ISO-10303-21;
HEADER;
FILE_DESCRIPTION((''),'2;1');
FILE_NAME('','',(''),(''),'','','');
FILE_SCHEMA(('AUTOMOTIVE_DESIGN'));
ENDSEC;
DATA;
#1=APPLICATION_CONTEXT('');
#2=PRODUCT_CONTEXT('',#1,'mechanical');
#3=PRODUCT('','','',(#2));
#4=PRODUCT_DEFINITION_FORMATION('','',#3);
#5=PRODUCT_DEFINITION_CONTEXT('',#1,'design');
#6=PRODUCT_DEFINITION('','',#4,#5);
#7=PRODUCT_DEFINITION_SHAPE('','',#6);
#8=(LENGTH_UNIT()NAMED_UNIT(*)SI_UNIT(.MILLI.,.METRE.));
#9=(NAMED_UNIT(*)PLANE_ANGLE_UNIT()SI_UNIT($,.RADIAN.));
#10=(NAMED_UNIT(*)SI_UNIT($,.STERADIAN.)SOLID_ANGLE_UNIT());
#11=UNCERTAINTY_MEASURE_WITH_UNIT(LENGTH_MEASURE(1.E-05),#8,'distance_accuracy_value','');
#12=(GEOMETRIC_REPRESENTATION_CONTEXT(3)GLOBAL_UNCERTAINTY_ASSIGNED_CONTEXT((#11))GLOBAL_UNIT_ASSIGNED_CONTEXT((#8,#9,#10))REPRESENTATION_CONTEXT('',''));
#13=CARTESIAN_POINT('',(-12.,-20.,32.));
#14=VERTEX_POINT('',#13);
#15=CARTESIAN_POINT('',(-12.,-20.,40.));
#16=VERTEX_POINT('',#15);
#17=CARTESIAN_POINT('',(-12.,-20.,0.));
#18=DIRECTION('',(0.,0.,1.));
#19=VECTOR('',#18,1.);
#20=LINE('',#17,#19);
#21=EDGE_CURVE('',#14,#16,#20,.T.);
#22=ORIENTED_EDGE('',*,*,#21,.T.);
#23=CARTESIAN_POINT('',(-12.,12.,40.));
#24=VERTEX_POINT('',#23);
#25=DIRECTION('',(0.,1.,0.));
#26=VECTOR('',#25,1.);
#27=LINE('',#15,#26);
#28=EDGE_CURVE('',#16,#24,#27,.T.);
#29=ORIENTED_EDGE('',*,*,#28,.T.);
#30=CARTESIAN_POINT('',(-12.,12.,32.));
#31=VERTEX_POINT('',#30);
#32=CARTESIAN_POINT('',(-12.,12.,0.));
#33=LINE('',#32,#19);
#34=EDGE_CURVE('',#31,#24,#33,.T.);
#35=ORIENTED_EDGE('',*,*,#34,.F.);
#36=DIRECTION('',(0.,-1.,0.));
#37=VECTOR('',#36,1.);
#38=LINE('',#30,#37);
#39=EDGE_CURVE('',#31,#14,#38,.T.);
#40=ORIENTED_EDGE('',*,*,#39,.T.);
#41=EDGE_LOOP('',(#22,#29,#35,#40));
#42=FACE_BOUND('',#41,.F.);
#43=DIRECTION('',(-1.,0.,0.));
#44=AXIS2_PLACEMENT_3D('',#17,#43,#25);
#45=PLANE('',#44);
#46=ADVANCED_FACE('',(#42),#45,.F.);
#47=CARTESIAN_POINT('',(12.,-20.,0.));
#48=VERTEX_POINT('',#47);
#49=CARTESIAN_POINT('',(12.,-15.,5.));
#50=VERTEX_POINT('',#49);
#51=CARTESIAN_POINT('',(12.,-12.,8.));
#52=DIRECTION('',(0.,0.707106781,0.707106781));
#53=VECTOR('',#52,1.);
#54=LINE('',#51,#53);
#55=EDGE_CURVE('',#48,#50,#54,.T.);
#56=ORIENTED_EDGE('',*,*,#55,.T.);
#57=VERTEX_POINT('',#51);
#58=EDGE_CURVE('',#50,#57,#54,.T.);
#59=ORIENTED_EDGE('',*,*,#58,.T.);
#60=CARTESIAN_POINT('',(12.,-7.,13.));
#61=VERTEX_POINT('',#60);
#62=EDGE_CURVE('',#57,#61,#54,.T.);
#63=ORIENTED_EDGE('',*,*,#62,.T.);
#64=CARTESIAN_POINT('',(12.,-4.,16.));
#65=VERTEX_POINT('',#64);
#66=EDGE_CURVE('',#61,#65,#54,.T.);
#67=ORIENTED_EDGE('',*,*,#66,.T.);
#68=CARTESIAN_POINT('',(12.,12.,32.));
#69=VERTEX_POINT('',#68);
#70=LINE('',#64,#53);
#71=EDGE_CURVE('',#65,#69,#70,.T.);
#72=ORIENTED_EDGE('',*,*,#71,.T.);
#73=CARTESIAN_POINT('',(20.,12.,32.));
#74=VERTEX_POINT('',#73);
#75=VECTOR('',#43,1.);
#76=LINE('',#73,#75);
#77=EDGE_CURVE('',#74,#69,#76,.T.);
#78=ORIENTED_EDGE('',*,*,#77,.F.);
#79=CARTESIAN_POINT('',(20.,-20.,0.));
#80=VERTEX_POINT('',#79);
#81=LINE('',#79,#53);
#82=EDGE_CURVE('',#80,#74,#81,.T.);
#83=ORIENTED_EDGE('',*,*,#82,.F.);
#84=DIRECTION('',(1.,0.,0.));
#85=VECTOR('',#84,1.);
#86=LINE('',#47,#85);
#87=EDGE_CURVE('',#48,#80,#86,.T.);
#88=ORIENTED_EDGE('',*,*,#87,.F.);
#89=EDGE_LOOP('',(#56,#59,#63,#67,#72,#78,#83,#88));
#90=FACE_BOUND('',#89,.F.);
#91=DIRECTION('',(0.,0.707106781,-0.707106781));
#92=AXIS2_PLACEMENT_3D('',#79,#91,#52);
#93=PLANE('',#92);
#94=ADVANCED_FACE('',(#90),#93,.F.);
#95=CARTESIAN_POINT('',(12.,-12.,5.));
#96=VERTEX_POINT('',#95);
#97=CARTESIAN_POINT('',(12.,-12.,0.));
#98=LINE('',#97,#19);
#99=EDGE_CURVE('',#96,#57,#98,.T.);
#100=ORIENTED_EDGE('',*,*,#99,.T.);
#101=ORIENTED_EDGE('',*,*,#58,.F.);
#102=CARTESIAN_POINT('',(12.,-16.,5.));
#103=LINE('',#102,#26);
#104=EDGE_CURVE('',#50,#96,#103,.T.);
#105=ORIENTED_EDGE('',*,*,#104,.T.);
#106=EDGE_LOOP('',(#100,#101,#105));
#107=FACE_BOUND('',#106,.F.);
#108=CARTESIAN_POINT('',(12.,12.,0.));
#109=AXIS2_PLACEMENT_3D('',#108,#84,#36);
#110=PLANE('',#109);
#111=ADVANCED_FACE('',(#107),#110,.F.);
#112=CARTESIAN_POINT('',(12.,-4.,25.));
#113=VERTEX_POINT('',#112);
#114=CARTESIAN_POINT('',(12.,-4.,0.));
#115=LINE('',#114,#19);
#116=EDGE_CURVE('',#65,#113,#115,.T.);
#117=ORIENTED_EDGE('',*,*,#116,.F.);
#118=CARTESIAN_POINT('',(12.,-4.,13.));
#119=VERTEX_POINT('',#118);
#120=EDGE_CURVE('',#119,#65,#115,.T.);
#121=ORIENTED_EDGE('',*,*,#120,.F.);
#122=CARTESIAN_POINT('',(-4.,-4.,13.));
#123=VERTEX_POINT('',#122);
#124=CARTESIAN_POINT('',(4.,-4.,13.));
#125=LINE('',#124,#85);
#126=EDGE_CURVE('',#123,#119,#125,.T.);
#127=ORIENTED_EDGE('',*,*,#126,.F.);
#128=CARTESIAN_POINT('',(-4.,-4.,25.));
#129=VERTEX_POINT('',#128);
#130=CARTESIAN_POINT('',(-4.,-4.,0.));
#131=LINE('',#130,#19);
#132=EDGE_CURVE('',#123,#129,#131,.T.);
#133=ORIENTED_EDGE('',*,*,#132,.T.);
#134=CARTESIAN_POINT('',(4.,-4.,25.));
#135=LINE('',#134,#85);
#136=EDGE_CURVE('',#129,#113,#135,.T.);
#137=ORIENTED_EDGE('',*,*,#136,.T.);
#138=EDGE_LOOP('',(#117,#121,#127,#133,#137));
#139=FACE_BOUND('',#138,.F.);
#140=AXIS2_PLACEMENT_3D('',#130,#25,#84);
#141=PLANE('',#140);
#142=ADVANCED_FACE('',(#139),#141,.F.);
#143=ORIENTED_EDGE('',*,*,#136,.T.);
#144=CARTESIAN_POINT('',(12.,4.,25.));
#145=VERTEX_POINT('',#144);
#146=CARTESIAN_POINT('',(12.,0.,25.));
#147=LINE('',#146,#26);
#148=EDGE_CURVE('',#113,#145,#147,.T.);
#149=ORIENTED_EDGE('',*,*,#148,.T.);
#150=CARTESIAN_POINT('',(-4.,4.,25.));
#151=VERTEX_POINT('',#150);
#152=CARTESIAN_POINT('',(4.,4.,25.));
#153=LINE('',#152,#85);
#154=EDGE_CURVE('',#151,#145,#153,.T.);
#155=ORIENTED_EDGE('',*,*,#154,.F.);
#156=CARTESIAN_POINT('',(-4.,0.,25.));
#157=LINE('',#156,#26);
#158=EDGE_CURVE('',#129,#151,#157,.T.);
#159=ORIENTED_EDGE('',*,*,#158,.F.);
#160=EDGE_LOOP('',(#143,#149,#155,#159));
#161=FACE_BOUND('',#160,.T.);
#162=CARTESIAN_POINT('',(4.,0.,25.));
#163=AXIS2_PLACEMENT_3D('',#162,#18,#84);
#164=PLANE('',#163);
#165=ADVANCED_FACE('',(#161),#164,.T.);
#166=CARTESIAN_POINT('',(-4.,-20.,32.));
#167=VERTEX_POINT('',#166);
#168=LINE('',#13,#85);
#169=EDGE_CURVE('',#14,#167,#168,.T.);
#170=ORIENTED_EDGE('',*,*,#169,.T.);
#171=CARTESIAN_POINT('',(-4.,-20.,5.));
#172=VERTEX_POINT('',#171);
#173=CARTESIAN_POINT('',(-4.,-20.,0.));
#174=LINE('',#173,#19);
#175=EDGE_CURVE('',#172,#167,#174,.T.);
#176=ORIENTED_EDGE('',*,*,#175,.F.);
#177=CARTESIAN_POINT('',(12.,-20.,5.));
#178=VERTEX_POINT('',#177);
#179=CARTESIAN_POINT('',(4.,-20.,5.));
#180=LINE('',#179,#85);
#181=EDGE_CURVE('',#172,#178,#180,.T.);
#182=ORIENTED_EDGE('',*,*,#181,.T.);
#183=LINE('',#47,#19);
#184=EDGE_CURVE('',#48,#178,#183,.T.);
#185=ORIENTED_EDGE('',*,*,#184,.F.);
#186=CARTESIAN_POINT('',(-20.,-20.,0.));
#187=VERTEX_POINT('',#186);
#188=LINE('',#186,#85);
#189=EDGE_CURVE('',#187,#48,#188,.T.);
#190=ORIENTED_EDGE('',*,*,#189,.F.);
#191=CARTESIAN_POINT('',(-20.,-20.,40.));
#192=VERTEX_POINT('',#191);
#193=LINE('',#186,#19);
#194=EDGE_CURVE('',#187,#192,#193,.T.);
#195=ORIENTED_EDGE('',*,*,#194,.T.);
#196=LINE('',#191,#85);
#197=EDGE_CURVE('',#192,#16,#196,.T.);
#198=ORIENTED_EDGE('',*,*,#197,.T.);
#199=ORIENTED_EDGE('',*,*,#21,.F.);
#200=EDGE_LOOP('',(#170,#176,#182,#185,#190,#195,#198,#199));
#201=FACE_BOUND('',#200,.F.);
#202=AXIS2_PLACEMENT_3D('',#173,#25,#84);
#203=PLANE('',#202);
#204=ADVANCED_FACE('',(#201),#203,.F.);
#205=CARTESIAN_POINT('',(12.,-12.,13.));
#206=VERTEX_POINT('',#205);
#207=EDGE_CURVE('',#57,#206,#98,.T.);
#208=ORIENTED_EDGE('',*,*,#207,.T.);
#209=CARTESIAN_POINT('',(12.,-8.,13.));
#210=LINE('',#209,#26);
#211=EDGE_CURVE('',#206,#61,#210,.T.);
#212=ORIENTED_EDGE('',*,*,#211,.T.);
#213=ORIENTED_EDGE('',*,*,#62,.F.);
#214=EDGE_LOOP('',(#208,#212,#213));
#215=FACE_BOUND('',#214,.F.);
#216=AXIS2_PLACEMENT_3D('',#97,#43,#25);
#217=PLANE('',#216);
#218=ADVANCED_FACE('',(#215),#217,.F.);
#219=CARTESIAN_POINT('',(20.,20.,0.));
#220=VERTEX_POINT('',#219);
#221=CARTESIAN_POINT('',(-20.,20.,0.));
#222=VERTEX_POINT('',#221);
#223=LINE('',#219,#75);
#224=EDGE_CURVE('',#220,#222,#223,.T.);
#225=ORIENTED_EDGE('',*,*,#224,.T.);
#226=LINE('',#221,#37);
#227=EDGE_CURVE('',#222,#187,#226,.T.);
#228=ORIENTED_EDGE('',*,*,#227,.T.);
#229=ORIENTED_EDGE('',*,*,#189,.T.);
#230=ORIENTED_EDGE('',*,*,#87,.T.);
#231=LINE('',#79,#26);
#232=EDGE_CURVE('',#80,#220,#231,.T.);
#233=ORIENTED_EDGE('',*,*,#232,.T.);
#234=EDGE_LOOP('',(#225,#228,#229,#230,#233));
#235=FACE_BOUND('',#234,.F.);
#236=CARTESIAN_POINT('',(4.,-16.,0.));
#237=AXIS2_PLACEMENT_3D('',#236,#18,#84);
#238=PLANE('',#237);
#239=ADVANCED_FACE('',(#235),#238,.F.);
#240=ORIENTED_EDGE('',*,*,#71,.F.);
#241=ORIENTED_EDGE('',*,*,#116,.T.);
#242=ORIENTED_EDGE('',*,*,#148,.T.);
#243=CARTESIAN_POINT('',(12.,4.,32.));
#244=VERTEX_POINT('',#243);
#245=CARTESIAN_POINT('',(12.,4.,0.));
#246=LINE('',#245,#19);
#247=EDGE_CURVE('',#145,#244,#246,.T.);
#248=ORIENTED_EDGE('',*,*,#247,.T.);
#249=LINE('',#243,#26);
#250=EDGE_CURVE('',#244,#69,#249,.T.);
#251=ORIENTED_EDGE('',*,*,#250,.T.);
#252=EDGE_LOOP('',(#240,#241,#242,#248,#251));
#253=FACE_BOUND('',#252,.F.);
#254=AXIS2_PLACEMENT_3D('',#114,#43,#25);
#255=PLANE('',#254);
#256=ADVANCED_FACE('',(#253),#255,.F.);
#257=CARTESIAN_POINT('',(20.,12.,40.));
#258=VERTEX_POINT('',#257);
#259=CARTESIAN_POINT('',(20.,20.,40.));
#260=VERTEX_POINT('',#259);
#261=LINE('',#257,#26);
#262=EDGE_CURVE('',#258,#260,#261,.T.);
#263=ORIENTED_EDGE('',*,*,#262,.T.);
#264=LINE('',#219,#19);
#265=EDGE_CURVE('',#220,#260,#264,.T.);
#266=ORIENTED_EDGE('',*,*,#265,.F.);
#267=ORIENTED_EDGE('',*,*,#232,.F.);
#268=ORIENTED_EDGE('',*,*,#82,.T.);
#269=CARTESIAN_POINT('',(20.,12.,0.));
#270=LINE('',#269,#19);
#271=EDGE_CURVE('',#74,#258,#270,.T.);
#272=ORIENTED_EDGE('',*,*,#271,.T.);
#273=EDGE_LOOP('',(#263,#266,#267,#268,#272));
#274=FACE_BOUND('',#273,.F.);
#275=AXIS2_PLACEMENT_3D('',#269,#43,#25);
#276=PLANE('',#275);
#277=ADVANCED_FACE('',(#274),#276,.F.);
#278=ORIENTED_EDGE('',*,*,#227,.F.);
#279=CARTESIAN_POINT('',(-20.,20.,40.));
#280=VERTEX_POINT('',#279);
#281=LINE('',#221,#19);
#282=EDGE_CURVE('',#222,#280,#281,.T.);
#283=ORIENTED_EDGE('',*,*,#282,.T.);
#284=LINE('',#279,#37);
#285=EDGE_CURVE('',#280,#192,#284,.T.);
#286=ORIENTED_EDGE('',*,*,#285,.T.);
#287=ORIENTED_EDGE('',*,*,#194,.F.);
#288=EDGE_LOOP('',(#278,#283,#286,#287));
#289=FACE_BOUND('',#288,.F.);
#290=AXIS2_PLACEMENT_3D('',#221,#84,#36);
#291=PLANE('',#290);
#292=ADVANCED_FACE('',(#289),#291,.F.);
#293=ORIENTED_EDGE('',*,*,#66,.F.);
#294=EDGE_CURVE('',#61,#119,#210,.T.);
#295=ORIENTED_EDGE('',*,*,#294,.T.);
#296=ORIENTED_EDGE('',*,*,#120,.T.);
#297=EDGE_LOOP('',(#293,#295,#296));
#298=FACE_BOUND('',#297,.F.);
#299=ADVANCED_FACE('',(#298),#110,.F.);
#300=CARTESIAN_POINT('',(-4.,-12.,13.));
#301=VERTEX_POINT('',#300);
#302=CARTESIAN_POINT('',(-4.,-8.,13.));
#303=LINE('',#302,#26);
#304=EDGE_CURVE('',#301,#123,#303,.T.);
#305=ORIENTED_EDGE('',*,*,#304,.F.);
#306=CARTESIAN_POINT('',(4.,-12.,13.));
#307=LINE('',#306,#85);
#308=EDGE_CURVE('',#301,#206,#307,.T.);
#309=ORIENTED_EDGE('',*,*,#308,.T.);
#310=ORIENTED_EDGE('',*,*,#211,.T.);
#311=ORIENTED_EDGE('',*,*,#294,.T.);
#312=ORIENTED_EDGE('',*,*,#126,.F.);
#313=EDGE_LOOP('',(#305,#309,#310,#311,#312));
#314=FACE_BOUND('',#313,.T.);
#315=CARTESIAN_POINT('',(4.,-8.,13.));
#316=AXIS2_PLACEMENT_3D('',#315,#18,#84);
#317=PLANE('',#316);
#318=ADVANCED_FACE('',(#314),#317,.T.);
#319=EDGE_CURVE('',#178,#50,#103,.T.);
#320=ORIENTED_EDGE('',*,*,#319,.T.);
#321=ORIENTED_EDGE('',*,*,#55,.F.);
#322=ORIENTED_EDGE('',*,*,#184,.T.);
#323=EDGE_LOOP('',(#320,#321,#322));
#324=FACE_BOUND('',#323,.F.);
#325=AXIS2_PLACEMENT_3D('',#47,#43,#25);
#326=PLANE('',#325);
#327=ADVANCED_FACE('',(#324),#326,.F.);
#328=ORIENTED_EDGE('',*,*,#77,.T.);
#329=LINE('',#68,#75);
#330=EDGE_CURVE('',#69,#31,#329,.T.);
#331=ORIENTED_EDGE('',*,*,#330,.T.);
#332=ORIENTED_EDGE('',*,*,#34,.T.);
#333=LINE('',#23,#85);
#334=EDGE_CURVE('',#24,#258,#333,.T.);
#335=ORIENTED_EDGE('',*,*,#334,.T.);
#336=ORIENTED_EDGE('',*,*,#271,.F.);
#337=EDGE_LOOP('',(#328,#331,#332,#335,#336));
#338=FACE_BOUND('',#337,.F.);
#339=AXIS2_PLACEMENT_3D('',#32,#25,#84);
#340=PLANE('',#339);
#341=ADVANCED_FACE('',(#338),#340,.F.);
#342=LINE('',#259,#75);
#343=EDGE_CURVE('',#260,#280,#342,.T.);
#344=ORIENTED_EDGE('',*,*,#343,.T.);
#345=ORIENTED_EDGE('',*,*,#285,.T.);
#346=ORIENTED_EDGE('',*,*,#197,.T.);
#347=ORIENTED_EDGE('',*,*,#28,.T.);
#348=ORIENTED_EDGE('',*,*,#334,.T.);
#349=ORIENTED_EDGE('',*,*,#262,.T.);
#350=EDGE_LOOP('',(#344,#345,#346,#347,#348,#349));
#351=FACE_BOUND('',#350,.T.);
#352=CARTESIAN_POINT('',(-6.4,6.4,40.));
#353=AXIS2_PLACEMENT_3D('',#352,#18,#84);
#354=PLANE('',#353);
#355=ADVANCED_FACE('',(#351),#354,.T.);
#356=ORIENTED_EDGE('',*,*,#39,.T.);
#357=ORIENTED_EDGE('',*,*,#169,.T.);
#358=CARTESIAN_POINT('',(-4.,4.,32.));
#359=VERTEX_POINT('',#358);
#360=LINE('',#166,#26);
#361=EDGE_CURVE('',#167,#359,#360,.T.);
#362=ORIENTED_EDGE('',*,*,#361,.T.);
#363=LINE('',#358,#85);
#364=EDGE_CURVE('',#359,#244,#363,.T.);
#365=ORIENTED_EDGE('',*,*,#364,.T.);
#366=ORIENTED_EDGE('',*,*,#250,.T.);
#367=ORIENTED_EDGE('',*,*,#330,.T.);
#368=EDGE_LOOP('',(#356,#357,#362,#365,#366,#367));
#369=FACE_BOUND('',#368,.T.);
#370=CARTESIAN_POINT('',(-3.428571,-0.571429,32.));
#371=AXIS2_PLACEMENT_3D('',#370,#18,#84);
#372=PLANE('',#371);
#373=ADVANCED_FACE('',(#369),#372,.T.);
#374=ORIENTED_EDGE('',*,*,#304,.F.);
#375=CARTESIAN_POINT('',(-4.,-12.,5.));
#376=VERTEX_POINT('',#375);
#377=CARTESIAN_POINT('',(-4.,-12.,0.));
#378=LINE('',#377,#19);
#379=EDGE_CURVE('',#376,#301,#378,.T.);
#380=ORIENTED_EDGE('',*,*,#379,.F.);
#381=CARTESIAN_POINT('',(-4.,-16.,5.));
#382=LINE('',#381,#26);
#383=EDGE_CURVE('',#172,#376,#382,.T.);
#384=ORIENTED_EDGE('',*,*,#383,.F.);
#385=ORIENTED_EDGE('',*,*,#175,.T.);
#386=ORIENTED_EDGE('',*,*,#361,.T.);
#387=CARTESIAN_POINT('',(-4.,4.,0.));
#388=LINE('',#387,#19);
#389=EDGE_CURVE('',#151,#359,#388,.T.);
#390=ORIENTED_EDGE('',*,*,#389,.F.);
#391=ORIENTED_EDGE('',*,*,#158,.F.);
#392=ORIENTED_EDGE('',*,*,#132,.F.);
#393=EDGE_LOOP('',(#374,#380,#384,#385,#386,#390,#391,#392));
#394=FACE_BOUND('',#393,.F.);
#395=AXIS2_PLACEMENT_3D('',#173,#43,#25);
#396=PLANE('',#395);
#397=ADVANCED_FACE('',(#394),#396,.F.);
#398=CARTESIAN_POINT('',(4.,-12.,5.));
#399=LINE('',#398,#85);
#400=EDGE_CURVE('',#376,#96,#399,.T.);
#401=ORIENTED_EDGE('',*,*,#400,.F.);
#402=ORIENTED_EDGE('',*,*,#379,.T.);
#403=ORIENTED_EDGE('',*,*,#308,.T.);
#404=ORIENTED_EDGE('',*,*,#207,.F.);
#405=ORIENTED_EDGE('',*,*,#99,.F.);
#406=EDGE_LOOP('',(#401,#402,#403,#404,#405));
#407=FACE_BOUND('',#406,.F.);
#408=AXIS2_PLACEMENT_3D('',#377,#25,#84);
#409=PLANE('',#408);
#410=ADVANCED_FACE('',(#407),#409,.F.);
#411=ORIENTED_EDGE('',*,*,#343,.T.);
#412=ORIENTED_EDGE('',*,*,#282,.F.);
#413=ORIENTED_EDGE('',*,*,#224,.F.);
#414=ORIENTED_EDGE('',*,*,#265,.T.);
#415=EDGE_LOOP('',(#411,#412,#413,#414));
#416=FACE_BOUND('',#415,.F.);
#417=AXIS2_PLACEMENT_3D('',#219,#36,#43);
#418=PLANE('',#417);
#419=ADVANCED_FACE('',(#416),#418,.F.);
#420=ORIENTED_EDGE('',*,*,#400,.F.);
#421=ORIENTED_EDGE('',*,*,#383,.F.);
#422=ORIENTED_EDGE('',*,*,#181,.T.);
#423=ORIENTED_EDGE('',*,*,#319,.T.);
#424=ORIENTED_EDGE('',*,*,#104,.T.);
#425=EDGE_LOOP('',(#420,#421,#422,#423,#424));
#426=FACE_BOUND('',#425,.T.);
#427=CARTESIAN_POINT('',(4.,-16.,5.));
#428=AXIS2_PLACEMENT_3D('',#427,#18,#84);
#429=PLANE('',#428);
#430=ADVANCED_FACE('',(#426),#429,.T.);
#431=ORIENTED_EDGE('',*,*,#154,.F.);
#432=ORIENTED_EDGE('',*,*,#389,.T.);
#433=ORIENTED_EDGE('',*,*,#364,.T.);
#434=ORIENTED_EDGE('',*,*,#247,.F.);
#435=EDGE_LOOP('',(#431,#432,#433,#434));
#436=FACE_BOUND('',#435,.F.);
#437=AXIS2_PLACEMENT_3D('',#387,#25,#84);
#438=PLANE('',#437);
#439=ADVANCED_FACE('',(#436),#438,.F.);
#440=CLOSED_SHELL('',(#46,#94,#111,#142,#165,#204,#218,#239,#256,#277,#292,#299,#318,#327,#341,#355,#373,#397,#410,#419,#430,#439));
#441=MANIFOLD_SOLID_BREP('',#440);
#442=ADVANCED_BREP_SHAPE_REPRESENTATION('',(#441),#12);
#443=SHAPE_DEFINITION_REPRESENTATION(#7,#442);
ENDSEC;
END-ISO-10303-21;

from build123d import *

# Parameters (mm, degrees)
F1_DEPTH = 32
F3_DEPTH = 25
F4_DEPTH = 40
F5_DEPTH = 32
F0_W     = 16
F0_H     = 8
F6_DEPTH = 25
F7_DEPTH = 13
F8_DEPTH = 5


with BuildPart() as f1:
    # F0 (on Top) → F1 (new body)
    with BuildSketch(Plane.XY):
        Polygon((12, -20), (20, -20), (20, 12), (12, 12), (12, 4), (12, -4), (12, -12), align=None)
    extrude(amount=F1_DEPTH)

    # F2 (on face) → F3 (cut)
    with BuildSketch(Plane.YZ.offset(20)):
        Polygon((-20, 0), (12, 32), (-20, 32), align=None)
    extrude(amount=-F3_DEPTH, mode=Mode.SUBTRACT)

    # F0 (on Top) → F4 (join)
    with BuildSketch(Plane.XY):
        Polygon((12, 12), (20, 12), (20, 20), (-12, 20), (-20, 20), (-20, -20), (-12, -20), (-12, 12), align=None)
    extrude(amount=F4_DEPTH)

    # F0 (on Top) → F5 (join)
    with BuildSketch(Plane.XY):
        Polygon((-12, -20), (-4, -20), (-4, -12), (-4, -4), (-4, 4), (12, 4), (12, 12), (-12, 12), align=None)
    extrude(amount=F5_DEPTH)

    # F0 (on Top) → F6 (join)
    with BuildSketch(Plane.XY):
        with Locations((4, 0)):
            Rectangle(F0_W, F0_H)
    extrude(amount=F6_DEPTH)

    # F0 (on Top) → F7 (join)
    with BuildSketch(Plane.XY):
        with Locations((4, -8)):
            Rectangle(F0_W, F0_H)
    extrude(amount=F7_DEPTH)

    # F0 (on Top) → F8 (join)
    with BuildSketch(Plane.XY):
        with Locations((4, -16)):
            Rectangle(F0_W, F0_H)
    extrude(amount=F8_DEPTH)


solid = f1.part
